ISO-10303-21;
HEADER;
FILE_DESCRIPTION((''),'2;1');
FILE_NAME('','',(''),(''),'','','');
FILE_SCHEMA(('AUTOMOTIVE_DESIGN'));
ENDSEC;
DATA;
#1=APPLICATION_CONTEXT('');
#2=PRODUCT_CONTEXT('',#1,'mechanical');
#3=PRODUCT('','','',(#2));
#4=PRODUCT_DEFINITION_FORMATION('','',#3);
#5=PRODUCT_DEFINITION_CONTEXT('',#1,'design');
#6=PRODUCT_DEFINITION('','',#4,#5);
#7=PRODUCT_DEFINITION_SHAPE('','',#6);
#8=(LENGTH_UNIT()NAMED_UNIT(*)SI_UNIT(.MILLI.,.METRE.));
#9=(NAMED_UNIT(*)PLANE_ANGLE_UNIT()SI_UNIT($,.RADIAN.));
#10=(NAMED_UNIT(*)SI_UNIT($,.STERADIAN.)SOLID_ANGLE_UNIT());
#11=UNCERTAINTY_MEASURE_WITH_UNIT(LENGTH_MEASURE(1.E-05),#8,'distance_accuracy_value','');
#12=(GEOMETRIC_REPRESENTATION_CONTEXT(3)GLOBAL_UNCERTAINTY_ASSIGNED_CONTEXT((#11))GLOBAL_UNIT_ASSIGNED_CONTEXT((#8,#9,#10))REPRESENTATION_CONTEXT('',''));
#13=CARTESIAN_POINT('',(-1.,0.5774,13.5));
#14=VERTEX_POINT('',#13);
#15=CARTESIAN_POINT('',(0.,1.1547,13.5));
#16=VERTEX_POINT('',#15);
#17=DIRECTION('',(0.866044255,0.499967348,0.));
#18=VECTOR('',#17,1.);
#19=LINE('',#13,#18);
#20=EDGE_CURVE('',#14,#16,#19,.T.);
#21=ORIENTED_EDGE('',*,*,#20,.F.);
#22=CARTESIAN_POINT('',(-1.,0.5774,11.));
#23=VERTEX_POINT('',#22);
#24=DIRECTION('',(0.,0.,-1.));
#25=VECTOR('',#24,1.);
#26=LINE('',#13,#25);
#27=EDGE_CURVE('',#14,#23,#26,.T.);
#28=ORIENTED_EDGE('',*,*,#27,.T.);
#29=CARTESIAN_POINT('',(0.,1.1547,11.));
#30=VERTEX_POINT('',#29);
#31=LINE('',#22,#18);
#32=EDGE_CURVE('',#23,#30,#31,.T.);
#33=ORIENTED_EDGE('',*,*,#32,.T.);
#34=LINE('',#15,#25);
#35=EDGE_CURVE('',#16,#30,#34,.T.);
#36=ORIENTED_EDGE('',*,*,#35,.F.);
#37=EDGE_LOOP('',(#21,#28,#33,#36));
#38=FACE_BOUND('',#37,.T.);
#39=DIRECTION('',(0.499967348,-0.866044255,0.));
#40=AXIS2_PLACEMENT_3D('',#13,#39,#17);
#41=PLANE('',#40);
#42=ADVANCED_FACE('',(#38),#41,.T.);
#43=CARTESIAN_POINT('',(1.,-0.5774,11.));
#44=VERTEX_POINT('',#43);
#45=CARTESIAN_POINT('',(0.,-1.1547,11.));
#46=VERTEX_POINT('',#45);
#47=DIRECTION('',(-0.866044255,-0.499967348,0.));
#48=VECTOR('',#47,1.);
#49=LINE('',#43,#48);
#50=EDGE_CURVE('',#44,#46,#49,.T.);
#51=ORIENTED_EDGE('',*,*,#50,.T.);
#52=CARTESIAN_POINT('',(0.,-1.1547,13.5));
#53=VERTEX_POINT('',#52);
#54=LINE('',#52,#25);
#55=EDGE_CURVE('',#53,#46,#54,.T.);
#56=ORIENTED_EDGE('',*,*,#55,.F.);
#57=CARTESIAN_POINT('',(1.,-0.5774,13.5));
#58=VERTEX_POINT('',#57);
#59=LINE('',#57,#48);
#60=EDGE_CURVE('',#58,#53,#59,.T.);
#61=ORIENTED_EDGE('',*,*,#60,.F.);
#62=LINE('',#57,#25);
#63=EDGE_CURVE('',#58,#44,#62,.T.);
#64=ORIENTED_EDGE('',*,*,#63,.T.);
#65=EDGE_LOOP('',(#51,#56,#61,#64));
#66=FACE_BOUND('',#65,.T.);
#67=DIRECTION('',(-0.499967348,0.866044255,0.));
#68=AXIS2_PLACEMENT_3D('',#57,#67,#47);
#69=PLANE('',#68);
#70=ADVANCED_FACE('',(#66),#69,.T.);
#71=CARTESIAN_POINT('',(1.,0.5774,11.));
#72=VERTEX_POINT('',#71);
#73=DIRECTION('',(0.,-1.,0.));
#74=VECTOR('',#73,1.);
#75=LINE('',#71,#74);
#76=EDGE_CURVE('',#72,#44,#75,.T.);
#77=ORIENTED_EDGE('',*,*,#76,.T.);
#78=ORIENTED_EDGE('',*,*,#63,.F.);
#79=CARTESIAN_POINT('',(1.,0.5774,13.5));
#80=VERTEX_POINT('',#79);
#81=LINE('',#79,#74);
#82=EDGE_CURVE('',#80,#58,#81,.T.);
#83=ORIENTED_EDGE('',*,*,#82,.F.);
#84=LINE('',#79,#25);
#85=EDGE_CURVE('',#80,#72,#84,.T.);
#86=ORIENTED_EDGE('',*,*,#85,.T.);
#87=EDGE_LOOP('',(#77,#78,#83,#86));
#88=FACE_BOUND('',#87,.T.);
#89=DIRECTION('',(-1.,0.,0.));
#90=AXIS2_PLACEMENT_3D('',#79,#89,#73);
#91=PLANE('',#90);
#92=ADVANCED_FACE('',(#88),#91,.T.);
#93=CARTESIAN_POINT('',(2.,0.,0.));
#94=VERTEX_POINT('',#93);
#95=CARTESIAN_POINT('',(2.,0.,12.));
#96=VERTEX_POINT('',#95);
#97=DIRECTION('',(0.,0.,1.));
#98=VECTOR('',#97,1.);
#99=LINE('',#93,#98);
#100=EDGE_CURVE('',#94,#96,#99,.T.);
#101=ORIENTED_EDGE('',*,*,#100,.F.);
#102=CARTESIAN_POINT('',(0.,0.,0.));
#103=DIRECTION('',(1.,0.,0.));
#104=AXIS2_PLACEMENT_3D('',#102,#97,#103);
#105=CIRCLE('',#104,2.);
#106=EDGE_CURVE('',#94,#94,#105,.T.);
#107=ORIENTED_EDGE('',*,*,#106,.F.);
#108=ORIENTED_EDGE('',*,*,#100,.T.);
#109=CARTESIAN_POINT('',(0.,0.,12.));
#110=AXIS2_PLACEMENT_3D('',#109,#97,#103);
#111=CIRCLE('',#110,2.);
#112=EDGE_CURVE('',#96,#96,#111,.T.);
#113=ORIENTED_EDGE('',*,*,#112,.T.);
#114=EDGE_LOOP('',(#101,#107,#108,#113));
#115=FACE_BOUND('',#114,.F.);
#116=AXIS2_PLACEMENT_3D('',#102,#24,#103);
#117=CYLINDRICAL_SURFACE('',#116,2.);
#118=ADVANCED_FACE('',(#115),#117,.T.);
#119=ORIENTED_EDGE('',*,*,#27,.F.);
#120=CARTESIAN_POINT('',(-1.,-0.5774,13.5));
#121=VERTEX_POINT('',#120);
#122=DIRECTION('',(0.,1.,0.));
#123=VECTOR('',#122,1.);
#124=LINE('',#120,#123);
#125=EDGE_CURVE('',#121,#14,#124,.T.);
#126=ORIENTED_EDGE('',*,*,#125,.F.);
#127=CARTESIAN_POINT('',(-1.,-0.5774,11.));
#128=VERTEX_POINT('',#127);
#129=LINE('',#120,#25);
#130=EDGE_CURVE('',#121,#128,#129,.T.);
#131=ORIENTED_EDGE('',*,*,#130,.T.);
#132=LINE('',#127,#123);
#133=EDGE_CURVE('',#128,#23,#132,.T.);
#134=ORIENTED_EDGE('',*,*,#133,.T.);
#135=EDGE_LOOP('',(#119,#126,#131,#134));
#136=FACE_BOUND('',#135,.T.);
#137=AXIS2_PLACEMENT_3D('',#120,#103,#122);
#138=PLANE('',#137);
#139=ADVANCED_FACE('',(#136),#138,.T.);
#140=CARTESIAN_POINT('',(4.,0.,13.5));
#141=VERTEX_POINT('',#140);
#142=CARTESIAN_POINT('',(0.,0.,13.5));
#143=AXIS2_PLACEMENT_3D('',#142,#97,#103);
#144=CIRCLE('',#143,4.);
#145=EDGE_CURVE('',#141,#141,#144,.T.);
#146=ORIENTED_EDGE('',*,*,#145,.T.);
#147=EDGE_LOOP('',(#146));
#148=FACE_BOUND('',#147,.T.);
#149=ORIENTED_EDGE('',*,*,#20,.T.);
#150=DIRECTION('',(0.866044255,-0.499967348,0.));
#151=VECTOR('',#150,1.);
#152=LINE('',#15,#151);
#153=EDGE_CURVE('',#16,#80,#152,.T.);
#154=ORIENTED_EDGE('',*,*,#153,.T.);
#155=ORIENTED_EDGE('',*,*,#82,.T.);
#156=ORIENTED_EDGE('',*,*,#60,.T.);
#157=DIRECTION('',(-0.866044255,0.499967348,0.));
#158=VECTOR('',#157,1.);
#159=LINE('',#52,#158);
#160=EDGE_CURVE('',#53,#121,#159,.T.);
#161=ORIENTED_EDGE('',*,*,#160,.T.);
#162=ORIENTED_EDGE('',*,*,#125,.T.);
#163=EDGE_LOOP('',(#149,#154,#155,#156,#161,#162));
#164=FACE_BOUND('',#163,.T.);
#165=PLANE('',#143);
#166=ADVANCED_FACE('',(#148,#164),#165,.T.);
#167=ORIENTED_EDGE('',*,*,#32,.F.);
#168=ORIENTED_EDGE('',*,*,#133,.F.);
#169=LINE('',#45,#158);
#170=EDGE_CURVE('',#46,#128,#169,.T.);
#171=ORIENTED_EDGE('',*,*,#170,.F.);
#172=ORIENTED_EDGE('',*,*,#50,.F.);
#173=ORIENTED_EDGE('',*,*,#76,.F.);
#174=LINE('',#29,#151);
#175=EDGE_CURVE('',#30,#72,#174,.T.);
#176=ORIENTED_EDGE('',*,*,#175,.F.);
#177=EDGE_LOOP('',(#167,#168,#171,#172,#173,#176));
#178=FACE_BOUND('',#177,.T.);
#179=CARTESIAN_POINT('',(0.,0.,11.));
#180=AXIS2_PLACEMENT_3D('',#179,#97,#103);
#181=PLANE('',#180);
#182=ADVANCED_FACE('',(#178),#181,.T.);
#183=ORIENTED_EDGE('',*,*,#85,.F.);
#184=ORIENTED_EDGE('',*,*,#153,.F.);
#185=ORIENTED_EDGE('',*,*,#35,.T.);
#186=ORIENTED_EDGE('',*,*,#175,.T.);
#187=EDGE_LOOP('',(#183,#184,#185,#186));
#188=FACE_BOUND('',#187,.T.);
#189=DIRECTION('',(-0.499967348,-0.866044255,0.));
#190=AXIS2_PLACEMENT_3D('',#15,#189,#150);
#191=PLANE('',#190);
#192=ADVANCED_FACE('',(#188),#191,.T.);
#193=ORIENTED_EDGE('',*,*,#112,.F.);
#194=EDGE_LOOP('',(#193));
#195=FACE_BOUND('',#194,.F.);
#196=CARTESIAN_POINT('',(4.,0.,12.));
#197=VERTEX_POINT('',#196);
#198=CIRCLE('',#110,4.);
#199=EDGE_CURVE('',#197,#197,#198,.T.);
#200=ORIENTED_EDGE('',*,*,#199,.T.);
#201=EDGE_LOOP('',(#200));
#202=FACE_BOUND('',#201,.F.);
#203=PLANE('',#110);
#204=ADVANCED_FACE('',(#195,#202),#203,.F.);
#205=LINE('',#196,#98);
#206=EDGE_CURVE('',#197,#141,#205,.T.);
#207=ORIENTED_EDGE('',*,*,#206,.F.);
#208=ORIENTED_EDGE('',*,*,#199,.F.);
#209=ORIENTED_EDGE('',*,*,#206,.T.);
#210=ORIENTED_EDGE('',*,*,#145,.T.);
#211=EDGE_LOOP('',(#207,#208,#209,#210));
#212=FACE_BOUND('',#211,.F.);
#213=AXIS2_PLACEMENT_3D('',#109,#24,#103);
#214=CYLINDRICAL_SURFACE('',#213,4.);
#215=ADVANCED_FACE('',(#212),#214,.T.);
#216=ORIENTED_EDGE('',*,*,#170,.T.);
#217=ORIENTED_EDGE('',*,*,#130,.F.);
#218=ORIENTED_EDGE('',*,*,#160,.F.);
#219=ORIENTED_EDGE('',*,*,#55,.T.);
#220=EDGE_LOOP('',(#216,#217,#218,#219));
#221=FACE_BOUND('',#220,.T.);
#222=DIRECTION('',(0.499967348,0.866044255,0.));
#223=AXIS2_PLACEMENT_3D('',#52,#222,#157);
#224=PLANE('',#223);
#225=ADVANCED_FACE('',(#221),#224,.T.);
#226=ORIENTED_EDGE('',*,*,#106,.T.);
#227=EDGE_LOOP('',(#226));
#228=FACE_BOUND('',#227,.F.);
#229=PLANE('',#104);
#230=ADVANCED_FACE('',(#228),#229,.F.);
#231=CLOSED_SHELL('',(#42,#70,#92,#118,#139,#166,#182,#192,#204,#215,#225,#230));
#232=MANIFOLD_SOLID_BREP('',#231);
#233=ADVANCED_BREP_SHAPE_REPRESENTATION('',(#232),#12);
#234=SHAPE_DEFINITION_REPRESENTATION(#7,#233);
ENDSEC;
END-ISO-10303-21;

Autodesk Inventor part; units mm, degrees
ref_plane "YZ Plane" through (0, 0, 0) normal (1, 0, 0) x (0, 1, 0)
ref_plane "XZ Plane" through (0, 0, 0) normal (0, 1, 0) x (-1, 0, 0)
ref_plane "XY Plane" through (0, 0, 0) normal (0, 0, 1) x (1, 0, 0)
sketch "スケッチ1" plane through (0, 0, 0) normal (0, 0, 1) x (1, 0, 0)
  circle A0 centre (0, 0) radius 2
  dimension "d0" = 4
extrude "押し出し1" add sketch "スケッチ1" along normal blind 12
thread "ねじ1" size "M4x0.7" class "6g" standard "ANSI Metric M Profile" full length
sketch "スケッチ2" plane through (0, 0, 12) normal (0, 0, 1) x (1, 0, 0)
  circle A0 centre (0, 0) radius 4
  dimension "d5" = 8
extrude "押し出し2" add sketch "スケッチ2" along normal blind 1.5
sketch "スケッチ3" plane through (0, 0, 13.5) normal (0, 0, 1) x (1, 0, 0)
  line L0 (0, 1.1547) -> (1, 0.5774)
  line L1 (1, 0.5774) -> (1, -0.5774)
  line L2 (1, -0.5774) -> (0, -1.1547)
  line L3 (0, -1.1547) -> (-1, -0.5774)
  line L4 (-1, -0.5774) -> (-1, 0.5774)
  line L5 (-1, 0.5774) -> (0, 1.1547)
  point P0 (0, 0)
  point P1 (0, 0)
  dimension "d8" = 2
extrude "押し出し3" cut sketch "スケッチ3" against normal blind 2.5
properties part number "M4極低頭ネジ　12" material "鋼、高強度、低合金"
